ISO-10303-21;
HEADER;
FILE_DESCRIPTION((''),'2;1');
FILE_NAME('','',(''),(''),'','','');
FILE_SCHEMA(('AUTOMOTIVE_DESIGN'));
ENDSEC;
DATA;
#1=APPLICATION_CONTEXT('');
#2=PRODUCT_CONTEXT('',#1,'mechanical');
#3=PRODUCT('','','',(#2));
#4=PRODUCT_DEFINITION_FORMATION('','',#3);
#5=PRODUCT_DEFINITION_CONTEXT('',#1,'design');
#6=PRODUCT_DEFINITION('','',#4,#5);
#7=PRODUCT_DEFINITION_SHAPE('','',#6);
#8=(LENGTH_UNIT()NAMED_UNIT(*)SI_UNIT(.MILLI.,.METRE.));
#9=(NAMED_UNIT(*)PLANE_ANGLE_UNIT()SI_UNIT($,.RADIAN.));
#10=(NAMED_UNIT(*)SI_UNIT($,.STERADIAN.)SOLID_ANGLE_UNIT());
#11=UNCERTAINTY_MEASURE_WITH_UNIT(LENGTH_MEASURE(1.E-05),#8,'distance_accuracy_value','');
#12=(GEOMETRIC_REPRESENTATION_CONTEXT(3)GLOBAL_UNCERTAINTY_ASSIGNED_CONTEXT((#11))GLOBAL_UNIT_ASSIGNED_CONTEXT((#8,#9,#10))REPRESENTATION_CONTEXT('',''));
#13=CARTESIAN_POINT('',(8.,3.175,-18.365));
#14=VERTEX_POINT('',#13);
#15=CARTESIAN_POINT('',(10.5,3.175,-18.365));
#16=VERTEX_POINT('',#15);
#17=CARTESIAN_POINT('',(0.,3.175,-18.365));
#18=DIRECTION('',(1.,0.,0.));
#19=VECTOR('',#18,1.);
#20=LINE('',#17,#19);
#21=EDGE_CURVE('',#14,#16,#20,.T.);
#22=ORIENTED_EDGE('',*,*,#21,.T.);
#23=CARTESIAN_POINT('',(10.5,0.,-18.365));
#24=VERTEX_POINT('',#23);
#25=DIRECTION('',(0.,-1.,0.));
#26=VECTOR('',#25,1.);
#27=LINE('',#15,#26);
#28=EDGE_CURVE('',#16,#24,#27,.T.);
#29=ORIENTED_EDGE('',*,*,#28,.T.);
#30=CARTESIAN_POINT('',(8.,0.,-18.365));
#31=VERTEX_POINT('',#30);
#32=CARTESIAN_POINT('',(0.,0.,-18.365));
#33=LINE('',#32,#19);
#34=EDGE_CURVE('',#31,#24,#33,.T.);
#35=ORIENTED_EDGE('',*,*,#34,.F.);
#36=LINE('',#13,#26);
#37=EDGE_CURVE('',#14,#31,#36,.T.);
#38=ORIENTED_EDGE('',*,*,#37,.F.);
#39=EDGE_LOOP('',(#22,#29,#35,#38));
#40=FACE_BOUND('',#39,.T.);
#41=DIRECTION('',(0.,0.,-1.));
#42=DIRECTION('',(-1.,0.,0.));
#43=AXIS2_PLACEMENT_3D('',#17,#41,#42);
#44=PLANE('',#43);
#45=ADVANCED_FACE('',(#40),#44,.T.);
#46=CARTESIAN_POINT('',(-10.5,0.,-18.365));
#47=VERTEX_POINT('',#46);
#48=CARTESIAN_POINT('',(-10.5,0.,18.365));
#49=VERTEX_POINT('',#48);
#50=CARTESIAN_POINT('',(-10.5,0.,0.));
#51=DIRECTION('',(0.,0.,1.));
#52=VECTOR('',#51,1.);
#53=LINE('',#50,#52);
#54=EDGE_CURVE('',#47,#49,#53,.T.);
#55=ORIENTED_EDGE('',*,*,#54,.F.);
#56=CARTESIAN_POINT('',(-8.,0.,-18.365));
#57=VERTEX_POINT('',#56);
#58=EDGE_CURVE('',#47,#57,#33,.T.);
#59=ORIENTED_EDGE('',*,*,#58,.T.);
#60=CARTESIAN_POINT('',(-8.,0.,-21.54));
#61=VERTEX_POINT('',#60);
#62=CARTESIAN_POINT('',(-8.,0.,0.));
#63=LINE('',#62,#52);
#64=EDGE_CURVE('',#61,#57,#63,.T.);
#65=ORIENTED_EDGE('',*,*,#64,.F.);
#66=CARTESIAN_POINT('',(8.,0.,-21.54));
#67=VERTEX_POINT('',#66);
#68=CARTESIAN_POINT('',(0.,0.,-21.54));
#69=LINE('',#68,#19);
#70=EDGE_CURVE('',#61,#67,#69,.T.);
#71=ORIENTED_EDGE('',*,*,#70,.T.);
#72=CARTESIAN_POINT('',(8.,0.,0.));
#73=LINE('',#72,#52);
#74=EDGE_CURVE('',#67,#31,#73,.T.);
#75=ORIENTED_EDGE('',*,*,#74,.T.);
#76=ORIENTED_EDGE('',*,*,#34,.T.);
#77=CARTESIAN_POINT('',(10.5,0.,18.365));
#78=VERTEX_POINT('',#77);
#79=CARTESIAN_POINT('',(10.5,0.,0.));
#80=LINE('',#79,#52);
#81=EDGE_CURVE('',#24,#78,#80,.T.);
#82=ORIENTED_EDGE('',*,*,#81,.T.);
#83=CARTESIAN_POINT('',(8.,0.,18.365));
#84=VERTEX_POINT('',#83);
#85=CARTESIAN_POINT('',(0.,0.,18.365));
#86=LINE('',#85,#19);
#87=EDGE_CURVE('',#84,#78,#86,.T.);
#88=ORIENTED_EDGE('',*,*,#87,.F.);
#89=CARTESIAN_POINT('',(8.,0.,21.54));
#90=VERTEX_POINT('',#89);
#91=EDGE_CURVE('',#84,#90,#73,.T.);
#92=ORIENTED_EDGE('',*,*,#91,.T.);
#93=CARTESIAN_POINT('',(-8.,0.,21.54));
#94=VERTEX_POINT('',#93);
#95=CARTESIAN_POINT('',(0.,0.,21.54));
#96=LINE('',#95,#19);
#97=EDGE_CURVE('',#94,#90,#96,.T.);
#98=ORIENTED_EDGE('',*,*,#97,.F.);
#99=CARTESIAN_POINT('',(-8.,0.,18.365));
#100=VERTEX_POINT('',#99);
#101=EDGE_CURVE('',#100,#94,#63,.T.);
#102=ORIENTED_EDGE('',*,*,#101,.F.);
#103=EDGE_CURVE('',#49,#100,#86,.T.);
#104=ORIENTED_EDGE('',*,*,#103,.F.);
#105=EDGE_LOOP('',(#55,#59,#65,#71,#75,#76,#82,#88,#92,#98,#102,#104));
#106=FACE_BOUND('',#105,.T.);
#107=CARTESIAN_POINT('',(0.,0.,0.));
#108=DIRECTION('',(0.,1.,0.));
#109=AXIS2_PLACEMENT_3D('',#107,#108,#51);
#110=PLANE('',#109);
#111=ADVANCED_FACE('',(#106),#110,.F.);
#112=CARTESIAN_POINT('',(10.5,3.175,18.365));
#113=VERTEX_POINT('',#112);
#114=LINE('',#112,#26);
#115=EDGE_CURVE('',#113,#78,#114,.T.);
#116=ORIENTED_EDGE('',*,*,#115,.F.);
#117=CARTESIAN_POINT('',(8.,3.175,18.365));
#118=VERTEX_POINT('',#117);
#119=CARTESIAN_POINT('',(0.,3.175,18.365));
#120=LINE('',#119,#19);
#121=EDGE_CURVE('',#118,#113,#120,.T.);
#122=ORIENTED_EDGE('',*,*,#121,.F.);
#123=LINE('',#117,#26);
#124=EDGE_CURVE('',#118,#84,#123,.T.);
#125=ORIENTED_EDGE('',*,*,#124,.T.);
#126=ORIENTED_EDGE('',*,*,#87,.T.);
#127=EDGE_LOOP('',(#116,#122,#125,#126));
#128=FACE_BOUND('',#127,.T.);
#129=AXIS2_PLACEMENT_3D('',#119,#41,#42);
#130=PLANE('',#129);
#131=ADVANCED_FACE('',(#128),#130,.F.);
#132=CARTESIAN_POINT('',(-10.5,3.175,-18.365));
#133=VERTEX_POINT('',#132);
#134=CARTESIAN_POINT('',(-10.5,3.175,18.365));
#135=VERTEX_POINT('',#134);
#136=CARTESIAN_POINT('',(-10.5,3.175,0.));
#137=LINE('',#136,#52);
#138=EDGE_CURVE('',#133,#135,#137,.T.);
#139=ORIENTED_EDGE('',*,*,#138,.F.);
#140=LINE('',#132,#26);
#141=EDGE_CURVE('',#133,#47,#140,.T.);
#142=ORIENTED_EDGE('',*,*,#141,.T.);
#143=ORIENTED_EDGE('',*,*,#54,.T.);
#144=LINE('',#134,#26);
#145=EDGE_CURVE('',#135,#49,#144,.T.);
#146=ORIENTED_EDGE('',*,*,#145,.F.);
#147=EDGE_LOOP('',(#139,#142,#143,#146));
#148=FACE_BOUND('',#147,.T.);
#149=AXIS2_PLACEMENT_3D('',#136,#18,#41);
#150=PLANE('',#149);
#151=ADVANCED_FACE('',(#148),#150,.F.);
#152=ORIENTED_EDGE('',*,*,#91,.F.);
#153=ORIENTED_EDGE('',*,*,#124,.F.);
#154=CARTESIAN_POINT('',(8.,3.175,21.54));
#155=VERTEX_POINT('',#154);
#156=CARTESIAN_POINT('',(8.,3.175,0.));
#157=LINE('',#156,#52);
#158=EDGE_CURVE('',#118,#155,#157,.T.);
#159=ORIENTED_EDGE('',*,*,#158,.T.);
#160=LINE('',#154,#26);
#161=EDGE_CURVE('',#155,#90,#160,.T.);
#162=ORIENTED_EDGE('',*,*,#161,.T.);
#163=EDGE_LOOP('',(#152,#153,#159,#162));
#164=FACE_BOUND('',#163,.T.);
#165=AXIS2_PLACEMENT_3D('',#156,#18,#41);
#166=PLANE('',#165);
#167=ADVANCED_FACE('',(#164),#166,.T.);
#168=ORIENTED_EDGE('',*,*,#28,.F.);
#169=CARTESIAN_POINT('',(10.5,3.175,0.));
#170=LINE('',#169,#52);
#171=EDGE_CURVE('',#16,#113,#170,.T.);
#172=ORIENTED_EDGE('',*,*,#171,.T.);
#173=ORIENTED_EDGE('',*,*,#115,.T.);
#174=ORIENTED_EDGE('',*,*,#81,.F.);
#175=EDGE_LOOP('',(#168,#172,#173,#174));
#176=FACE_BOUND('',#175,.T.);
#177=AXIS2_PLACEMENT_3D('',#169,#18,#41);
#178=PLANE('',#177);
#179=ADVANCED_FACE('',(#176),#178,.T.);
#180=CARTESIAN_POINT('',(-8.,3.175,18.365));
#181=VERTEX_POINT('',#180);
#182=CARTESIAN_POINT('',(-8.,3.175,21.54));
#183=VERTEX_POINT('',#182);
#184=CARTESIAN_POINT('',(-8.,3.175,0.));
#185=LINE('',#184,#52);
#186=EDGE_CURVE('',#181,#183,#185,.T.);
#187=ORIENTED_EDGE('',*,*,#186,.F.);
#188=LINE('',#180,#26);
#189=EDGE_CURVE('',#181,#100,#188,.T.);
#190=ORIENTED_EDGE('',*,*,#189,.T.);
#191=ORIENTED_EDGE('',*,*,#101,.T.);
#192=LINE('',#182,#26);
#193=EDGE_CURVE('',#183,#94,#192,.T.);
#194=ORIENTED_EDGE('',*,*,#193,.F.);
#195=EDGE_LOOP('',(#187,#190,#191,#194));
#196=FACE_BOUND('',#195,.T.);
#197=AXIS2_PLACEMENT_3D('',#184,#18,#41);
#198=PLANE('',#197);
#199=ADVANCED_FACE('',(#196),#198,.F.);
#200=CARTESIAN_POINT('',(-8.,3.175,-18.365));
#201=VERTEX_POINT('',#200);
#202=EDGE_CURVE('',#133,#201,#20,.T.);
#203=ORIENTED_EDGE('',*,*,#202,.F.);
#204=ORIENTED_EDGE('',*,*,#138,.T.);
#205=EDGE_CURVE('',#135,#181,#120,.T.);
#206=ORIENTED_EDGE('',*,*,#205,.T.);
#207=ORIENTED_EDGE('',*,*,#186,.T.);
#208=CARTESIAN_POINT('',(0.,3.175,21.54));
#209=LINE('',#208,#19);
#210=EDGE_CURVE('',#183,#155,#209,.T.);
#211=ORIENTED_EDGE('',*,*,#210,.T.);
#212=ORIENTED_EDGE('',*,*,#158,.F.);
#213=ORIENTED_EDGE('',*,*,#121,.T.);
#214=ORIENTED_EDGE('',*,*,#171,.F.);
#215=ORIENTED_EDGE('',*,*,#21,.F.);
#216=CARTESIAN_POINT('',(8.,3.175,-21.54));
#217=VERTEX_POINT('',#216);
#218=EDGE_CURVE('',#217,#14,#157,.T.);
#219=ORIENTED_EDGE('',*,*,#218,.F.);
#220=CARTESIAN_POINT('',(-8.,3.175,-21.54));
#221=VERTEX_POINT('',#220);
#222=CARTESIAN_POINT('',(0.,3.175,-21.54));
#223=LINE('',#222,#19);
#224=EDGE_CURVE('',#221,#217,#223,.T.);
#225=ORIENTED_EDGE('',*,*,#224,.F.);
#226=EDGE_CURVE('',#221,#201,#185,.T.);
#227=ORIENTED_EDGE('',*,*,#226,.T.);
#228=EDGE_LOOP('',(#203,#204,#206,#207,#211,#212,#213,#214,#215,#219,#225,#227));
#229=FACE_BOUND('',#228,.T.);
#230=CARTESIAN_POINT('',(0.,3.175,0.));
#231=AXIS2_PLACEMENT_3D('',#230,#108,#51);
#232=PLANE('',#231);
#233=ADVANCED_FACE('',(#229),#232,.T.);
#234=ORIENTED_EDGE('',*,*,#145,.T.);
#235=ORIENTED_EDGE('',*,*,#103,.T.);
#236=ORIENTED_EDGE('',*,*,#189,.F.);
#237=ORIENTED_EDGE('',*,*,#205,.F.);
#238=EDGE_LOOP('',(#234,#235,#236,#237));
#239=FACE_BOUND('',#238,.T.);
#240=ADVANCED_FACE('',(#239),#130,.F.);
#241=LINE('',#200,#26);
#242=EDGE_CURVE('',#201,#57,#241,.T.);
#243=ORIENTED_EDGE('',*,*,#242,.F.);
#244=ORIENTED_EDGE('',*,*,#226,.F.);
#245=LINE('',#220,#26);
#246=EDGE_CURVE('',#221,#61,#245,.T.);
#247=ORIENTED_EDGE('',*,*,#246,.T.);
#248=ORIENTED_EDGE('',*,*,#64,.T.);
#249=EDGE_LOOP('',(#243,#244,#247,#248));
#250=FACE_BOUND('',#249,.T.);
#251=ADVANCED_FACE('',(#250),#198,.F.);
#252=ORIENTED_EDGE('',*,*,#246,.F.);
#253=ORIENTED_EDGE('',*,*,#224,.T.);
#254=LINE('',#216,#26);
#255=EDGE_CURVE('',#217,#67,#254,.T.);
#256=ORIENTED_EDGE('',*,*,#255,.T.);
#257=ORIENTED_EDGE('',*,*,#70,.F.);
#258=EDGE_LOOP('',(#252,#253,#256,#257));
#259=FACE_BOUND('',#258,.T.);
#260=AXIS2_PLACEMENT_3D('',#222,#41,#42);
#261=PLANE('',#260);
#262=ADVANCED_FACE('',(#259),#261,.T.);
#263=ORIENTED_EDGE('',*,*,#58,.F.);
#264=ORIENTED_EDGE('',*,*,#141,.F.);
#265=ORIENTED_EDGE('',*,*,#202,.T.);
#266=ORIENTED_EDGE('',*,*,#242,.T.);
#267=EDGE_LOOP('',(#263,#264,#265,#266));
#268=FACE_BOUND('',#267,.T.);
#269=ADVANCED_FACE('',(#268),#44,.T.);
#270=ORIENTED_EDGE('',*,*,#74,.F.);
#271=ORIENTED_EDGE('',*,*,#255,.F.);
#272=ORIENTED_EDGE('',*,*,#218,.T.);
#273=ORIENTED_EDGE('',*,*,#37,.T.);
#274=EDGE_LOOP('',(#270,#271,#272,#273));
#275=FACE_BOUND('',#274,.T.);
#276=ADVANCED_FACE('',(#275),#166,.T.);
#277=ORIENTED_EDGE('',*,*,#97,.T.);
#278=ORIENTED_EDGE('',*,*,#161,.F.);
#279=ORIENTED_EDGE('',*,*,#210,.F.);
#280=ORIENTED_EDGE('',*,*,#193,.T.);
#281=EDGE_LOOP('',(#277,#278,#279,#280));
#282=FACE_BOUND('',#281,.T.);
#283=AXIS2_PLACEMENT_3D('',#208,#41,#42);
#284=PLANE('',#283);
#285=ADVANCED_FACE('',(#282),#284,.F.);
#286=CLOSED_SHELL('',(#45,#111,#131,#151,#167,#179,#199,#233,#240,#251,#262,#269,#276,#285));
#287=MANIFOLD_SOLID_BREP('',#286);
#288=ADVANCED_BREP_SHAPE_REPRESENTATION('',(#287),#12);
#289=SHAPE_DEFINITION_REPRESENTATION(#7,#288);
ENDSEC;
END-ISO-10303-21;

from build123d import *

# Parameters (mm, degrees)
SKETCH1_W           = 2.5
SKETCH1_H           = 36.73
SKETCH1_W_2         = 16
SKETCH1_H_2         = 3.175
BOSS_EXTRUDE1_DEPTH = 3.175


with BuildPart() as part:
    # Sketch1 → Boss-Extrude1 (new body)
    with BuildSketch(Plane(origin=(0, 0, 0), x_dir=(1, 0, 0), z_dir=(0, 1, 0))):
        with Locations((-9.25, 0)):
            Rectangle(SKETCH1_W, SKETCH1_H)
        Rectangle(SKETCH1_W_2, SKETCH1_H)
        with Locations((9.25, 0)):
            Rectangle(SKETCH1_W, SKETCH1_H)
        with Locations((0, -19.9525)):
            Rectangle(SKETCH1_W_2, SKETCH1_H_2)
        with Locations((0, 19.9525)):
            Rectangle(SKETCH1_W_2, SKETCH1_H_2)
    extrude(amount=BOSS_EXTRUDE1_DEPTH)


solid = part.part
